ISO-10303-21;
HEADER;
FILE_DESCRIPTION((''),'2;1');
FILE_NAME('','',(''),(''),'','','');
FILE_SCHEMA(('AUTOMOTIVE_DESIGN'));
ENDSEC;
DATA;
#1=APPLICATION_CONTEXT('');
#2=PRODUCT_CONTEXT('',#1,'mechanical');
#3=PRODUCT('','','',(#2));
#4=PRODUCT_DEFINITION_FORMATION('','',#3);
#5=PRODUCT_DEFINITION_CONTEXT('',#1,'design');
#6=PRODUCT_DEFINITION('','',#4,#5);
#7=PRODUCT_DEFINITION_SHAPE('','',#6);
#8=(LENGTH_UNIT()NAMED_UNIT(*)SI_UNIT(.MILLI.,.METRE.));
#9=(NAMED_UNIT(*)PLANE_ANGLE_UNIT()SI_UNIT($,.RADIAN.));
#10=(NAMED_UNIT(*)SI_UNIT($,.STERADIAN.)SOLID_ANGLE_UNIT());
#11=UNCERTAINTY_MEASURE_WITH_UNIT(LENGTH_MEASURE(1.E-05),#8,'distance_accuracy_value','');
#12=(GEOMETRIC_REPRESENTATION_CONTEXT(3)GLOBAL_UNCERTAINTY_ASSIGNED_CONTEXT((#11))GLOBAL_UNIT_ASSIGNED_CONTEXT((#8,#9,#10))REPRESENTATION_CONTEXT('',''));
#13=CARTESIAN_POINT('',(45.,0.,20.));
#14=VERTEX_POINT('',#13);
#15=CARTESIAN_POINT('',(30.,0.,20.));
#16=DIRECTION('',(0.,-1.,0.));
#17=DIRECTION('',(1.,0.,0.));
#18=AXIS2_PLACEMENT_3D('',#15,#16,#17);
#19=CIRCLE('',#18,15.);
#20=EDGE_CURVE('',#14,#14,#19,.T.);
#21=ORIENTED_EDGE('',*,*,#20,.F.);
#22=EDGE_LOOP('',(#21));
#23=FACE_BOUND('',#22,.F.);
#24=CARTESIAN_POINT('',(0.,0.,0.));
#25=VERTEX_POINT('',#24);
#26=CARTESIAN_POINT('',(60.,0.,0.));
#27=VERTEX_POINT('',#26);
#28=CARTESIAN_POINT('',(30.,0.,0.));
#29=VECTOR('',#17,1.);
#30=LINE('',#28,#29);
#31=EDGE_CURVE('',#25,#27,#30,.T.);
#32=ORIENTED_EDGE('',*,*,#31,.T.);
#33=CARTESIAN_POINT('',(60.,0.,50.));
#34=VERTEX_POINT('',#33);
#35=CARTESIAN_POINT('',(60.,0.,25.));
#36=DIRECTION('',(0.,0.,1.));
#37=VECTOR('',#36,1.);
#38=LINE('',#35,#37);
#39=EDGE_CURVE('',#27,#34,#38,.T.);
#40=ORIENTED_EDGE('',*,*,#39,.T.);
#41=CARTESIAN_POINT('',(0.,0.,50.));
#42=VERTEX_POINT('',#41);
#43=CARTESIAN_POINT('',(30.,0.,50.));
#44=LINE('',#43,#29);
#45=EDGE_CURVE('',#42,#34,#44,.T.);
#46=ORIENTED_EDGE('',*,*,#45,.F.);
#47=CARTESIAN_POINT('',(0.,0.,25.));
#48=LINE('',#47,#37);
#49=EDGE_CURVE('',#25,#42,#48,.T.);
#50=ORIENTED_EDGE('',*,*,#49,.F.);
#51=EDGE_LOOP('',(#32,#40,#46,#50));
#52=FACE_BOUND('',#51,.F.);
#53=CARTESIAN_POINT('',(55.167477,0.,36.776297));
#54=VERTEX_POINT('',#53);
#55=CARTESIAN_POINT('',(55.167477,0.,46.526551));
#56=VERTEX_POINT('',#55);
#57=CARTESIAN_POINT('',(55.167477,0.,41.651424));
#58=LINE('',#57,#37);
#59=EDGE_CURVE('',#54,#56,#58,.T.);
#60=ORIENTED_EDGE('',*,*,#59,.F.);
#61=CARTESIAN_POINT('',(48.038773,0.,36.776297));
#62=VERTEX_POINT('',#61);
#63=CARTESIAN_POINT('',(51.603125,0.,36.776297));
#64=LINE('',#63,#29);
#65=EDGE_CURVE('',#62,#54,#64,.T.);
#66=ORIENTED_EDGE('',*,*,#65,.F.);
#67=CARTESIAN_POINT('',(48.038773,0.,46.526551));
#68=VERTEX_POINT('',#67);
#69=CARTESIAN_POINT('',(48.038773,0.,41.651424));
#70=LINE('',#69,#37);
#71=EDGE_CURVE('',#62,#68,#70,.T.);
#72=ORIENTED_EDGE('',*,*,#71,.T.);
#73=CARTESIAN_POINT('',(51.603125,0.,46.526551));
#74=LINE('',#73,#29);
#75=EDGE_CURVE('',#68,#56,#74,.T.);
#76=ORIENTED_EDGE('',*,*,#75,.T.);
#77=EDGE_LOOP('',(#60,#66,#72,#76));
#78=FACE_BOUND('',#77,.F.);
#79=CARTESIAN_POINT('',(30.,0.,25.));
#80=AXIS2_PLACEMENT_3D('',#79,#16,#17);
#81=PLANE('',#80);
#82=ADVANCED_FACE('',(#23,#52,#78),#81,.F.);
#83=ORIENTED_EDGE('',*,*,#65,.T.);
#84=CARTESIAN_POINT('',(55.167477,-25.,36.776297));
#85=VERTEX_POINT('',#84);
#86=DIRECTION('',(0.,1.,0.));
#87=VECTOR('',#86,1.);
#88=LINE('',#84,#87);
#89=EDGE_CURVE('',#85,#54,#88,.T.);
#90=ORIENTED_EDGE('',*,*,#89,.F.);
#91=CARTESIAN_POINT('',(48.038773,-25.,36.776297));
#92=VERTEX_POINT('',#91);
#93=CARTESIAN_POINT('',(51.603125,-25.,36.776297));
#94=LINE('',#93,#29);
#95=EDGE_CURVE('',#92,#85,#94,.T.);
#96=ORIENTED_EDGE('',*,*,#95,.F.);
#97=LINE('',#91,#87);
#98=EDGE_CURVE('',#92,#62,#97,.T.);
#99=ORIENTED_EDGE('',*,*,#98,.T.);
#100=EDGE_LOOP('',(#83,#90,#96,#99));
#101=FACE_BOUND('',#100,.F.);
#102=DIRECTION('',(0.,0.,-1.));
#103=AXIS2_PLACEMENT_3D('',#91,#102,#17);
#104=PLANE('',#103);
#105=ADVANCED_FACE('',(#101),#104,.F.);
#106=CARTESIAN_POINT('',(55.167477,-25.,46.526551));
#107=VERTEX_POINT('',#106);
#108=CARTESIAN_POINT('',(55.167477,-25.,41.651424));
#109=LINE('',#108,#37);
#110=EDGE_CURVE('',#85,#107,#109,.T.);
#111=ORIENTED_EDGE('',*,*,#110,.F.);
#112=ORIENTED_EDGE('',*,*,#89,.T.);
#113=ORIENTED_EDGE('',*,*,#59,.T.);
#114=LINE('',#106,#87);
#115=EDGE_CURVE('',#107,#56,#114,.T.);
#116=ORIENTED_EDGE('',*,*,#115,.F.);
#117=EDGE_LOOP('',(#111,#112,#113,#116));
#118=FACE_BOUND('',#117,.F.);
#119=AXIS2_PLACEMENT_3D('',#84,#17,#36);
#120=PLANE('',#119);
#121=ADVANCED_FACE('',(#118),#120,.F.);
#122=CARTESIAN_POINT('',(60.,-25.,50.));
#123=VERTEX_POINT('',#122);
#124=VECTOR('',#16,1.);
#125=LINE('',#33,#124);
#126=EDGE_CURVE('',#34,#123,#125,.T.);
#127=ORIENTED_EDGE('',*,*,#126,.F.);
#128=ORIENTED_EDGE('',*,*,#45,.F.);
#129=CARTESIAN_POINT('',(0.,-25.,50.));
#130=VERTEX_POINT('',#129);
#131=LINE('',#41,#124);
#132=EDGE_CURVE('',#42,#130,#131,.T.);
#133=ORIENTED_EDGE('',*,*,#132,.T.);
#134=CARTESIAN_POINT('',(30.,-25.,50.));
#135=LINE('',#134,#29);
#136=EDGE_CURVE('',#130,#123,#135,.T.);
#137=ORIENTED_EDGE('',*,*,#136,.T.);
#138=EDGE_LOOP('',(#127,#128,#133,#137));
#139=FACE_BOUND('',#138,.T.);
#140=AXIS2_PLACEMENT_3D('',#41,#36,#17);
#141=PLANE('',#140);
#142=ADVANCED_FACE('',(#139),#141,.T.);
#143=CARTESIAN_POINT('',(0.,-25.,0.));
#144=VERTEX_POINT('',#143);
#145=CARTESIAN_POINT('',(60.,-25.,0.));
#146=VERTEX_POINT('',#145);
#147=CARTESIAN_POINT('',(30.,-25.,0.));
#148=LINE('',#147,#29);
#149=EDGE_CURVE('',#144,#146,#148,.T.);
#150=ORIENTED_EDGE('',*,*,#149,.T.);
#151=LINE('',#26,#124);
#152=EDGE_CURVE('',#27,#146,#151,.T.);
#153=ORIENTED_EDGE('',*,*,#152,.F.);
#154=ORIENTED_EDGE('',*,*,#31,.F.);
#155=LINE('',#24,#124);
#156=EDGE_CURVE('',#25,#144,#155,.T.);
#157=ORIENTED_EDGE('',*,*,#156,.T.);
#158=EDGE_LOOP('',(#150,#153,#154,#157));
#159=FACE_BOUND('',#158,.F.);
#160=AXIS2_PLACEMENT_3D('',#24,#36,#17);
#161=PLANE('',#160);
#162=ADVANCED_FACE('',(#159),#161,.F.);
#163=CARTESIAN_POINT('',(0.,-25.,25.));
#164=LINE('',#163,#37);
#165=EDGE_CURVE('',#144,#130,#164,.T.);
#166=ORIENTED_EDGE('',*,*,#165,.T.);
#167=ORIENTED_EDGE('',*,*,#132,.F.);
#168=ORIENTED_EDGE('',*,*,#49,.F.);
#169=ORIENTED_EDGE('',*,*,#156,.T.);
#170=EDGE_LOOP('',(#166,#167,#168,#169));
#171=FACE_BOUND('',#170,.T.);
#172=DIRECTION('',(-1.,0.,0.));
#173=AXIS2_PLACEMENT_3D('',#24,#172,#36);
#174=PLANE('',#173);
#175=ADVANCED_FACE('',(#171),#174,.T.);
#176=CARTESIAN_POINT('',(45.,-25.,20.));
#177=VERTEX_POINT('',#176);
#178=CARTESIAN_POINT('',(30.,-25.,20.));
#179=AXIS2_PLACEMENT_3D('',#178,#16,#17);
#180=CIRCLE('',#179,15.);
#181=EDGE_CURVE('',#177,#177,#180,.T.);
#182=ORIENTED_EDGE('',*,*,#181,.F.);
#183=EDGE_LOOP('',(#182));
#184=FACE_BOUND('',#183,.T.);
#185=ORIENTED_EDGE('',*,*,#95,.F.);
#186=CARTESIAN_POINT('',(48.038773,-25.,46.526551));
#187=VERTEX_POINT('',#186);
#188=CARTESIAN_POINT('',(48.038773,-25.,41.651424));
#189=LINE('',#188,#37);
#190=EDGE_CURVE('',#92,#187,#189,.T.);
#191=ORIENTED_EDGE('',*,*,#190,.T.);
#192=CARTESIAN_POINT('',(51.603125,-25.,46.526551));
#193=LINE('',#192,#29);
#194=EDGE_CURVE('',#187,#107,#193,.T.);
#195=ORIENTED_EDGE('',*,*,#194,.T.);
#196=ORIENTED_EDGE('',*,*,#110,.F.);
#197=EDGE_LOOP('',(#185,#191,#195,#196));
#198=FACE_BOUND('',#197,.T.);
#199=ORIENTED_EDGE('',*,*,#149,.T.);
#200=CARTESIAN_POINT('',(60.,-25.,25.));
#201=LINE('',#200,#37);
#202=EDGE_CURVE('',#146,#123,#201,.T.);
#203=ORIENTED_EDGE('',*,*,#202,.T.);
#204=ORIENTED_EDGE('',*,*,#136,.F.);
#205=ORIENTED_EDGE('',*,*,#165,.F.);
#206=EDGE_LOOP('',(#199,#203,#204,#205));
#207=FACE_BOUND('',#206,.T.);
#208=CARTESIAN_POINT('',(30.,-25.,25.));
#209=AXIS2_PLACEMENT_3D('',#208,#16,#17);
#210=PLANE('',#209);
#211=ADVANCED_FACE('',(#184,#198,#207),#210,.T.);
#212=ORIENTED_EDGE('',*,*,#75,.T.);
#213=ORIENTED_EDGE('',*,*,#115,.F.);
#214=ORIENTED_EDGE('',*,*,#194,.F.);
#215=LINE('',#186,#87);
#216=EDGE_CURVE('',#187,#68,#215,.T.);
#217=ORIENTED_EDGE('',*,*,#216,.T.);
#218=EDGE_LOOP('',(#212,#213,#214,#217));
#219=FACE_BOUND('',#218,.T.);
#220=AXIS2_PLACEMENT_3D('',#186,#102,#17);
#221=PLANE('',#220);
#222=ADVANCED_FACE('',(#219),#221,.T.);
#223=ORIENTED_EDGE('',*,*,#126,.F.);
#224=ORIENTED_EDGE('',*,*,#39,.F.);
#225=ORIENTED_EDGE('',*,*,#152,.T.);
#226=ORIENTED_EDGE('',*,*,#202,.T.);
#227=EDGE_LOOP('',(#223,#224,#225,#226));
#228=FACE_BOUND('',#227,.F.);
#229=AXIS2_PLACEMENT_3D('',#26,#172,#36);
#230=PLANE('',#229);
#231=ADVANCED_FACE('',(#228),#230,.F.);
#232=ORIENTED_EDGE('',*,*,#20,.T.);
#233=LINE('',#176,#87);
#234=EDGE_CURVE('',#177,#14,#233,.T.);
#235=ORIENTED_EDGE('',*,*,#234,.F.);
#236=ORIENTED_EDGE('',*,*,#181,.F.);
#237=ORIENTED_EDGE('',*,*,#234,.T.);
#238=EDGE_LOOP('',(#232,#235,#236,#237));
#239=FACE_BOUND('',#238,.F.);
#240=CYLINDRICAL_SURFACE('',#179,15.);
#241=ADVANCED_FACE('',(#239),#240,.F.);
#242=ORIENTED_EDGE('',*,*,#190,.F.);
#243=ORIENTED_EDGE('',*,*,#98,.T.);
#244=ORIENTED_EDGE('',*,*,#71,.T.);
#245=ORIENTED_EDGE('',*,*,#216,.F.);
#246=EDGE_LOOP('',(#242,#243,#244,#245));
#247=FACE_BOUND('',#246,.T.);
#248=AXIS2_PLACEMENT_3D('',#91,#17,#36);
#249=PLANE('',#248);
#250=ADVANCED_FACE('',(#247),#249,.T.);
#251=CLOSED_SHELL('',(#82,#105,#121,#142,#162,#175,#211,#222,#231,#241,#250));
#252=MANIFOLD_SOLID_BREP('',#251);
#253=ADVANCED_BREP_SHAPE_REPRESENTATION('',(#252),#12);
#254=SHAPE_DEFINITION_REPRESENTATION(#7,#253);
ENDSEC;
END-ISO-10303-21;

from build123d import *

# Parameters (mm, degrees)
F0_W     = 60
F0_H     = 50
F1_DEPTH = 25
F2_R     = 15
F3_DEPTH = 25.001
F4_W     = 7.128705
F4_H     = 9.750254
F5_DEPTH = 25


with BuildPart() as f1:
    # F0 (on Front) → F1 (new body)
    with BuildSketch(Plane.XZ):
        with Locations((30, 25)):
            Rectangle(F0_W, F0_H)
    extrude(amount=F1_DEPTH)

    # F2 (on face) → F3 (cut, through all)
    with BuildSketch(Plane.XZ.offset(25)):
        with Locations((30, 20)):
            Circle(F2_R)
    extrude(amount=-F3_DEPTH, mode=Mode.SUBTRACT)

    # F4 (on face) → F5 (cut)
    with BuildSketch(Plane.XZ.offset(25)):
        with Locations((51.603125, 41.651424)):
            Rectangle(F4_W, F4_H)
    extrude(amount=-F5_DEPTH, mode=Mode.SUBTRACT)


solid = f1.part
